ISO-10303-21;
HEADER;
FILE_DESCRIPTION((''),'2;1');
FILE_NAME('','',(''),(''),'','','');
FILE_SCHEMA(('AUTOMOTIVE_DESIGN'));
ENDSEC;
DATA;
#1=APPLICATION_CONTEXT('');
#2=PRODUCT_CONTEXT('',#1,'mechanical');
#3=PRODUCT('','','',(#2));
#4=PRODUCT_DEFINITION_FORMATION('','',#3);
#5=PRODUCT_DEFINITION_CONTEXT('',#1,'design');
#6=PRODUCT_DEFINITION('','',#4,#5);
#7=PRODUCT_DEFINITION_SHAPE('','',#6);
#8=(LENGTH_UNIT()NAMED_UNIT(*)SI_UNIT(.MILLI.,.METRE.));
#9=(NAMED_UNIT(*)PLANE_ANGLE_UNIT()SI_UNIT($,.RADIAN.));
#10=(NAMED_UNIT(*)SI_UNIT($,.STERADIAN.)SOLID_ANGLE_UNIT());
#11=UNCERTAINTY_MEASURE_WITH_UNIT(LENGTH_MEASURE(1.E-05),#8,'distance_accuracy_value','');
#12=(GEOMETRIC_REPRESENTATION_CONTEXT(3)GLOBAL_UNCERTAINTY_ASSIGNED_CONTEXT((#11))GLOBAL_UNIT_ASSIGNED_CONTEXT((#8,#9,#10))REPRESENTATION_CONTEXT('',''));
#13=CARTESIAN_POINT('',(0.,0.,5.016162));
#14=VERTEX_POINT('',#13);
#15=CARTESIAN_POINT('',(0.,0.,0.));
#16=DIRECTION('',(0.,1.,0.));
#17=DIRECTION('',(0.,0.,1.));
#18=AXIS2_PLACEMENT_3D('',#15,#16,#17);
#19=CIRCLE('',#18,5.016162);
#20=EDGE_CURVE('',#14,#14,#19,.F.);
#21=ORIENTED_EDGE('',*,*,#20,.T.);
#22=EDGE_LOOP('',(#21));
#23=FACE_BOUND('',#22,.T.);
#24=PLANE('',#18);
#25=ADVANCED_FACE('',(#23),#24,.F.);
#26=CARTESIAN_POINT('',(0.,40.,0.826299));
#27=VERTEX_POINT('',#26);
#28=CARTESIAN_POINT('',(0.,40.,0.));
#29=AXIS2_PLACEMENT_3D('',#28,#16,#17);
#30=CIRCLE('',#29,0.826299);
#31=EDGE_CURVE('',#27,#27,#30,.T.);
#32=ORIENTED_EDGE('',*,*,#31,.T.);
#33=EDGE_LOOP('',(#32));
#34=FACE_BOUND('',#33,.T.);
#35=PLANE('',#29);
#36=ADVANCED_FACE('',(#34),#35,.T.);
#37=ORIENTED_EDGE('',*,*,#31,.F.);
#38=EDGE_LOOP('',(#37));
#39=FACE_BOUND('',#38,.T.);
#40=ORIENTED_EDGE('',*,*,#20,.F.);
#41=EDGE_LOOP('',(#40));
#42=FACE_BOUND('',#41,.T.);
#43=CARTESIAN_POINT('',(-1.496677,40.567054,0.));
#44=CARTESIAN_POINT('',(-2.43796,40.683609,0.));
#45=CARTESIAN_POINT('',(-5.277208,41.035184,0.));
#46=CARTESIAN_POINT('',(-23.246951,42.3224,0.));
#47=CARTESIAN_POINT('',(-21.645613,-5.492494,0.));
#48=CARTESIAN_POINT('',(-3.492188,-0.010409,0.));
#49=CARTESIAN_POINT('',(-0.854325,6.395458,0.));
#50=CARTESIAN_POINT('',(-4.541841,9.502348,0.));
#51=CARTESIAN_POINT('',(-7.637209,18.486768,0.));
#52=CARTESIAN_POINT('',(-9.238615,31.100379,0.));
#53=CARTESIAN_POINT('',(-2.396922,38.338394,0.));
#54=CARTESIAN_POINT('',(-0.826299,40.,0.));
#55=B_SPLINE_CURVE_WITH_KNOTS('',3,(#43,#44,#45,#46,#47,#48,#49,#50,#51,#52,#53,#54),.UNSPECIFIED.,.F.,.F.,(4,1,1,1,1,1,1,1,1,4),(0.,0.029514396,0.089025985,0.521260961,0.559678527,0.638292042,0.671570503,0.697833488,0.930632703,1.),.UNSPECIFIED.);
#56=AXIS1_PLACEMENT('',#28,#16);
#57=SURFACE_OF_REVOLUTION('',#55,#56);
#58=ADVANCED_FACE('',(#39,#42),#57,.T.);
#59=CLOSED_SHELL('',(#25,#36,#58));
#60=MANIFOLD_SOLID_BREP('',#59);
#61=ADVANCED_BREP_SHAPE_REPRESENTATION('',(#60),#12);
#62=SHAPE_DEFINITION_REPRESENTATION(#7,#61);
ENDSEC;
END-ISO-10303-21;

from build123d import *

# Parameters (mm, degrees)
SKETCH_1_R      = 8
EXTRUDE_1_DEPTH = 40


with BuildPart() as part:
    # 草图1 → 凸台-拉伸1 (new body)
    with BuildSketch(Plane(origin=(0, 0, 0), x_dir=(1, 0, 0), z_dir=(0, 1, 0))):
        with Locations(Location((0, 0, 0), (0, 0, 270))):
            Circle(SKETCH_1_R)
    extrude(amount=EXTRUDE_1_DEPTH)

    # 草图2 → 切除-旋转1 (revolve, cut)
    with BuildSketch(Plane.XY):
        with BuildLine():
            Line((-1.496676972, 40.56705353), (-0.826298833, 40))
            add(Edge.make_bspline(
                [(-0.826298833, 40), (-2.396922046, 38.33839445), (-9.238614918, 31.10037915), (-7.637209318, 18.486767699), (-4.541840686, 9.502348074), (-0.854324669, 6.39545771), (-3.492188382, -0.010409287), (-21.645612759, -5.492493844), (-23.246950593, 42.322399591), (-5.277207954, 41.035183508), (-2.437960335, 40.683609369), (-1.496676972, 40.56705353)],
                knots=[0, 0, 0, 0, 0.069367297, 0.302166512, 0.328429497, 0.361707958, 0.440321473, 0.478739039, 0.910974015, 0.970485604, 1, 1, 1, 1], degree=3))
        make_face()
    revolve(axis=Axis((0, 40, 0), (0, -1, 0)), mode=Mode.SUBTRACT)


solid = part.part
